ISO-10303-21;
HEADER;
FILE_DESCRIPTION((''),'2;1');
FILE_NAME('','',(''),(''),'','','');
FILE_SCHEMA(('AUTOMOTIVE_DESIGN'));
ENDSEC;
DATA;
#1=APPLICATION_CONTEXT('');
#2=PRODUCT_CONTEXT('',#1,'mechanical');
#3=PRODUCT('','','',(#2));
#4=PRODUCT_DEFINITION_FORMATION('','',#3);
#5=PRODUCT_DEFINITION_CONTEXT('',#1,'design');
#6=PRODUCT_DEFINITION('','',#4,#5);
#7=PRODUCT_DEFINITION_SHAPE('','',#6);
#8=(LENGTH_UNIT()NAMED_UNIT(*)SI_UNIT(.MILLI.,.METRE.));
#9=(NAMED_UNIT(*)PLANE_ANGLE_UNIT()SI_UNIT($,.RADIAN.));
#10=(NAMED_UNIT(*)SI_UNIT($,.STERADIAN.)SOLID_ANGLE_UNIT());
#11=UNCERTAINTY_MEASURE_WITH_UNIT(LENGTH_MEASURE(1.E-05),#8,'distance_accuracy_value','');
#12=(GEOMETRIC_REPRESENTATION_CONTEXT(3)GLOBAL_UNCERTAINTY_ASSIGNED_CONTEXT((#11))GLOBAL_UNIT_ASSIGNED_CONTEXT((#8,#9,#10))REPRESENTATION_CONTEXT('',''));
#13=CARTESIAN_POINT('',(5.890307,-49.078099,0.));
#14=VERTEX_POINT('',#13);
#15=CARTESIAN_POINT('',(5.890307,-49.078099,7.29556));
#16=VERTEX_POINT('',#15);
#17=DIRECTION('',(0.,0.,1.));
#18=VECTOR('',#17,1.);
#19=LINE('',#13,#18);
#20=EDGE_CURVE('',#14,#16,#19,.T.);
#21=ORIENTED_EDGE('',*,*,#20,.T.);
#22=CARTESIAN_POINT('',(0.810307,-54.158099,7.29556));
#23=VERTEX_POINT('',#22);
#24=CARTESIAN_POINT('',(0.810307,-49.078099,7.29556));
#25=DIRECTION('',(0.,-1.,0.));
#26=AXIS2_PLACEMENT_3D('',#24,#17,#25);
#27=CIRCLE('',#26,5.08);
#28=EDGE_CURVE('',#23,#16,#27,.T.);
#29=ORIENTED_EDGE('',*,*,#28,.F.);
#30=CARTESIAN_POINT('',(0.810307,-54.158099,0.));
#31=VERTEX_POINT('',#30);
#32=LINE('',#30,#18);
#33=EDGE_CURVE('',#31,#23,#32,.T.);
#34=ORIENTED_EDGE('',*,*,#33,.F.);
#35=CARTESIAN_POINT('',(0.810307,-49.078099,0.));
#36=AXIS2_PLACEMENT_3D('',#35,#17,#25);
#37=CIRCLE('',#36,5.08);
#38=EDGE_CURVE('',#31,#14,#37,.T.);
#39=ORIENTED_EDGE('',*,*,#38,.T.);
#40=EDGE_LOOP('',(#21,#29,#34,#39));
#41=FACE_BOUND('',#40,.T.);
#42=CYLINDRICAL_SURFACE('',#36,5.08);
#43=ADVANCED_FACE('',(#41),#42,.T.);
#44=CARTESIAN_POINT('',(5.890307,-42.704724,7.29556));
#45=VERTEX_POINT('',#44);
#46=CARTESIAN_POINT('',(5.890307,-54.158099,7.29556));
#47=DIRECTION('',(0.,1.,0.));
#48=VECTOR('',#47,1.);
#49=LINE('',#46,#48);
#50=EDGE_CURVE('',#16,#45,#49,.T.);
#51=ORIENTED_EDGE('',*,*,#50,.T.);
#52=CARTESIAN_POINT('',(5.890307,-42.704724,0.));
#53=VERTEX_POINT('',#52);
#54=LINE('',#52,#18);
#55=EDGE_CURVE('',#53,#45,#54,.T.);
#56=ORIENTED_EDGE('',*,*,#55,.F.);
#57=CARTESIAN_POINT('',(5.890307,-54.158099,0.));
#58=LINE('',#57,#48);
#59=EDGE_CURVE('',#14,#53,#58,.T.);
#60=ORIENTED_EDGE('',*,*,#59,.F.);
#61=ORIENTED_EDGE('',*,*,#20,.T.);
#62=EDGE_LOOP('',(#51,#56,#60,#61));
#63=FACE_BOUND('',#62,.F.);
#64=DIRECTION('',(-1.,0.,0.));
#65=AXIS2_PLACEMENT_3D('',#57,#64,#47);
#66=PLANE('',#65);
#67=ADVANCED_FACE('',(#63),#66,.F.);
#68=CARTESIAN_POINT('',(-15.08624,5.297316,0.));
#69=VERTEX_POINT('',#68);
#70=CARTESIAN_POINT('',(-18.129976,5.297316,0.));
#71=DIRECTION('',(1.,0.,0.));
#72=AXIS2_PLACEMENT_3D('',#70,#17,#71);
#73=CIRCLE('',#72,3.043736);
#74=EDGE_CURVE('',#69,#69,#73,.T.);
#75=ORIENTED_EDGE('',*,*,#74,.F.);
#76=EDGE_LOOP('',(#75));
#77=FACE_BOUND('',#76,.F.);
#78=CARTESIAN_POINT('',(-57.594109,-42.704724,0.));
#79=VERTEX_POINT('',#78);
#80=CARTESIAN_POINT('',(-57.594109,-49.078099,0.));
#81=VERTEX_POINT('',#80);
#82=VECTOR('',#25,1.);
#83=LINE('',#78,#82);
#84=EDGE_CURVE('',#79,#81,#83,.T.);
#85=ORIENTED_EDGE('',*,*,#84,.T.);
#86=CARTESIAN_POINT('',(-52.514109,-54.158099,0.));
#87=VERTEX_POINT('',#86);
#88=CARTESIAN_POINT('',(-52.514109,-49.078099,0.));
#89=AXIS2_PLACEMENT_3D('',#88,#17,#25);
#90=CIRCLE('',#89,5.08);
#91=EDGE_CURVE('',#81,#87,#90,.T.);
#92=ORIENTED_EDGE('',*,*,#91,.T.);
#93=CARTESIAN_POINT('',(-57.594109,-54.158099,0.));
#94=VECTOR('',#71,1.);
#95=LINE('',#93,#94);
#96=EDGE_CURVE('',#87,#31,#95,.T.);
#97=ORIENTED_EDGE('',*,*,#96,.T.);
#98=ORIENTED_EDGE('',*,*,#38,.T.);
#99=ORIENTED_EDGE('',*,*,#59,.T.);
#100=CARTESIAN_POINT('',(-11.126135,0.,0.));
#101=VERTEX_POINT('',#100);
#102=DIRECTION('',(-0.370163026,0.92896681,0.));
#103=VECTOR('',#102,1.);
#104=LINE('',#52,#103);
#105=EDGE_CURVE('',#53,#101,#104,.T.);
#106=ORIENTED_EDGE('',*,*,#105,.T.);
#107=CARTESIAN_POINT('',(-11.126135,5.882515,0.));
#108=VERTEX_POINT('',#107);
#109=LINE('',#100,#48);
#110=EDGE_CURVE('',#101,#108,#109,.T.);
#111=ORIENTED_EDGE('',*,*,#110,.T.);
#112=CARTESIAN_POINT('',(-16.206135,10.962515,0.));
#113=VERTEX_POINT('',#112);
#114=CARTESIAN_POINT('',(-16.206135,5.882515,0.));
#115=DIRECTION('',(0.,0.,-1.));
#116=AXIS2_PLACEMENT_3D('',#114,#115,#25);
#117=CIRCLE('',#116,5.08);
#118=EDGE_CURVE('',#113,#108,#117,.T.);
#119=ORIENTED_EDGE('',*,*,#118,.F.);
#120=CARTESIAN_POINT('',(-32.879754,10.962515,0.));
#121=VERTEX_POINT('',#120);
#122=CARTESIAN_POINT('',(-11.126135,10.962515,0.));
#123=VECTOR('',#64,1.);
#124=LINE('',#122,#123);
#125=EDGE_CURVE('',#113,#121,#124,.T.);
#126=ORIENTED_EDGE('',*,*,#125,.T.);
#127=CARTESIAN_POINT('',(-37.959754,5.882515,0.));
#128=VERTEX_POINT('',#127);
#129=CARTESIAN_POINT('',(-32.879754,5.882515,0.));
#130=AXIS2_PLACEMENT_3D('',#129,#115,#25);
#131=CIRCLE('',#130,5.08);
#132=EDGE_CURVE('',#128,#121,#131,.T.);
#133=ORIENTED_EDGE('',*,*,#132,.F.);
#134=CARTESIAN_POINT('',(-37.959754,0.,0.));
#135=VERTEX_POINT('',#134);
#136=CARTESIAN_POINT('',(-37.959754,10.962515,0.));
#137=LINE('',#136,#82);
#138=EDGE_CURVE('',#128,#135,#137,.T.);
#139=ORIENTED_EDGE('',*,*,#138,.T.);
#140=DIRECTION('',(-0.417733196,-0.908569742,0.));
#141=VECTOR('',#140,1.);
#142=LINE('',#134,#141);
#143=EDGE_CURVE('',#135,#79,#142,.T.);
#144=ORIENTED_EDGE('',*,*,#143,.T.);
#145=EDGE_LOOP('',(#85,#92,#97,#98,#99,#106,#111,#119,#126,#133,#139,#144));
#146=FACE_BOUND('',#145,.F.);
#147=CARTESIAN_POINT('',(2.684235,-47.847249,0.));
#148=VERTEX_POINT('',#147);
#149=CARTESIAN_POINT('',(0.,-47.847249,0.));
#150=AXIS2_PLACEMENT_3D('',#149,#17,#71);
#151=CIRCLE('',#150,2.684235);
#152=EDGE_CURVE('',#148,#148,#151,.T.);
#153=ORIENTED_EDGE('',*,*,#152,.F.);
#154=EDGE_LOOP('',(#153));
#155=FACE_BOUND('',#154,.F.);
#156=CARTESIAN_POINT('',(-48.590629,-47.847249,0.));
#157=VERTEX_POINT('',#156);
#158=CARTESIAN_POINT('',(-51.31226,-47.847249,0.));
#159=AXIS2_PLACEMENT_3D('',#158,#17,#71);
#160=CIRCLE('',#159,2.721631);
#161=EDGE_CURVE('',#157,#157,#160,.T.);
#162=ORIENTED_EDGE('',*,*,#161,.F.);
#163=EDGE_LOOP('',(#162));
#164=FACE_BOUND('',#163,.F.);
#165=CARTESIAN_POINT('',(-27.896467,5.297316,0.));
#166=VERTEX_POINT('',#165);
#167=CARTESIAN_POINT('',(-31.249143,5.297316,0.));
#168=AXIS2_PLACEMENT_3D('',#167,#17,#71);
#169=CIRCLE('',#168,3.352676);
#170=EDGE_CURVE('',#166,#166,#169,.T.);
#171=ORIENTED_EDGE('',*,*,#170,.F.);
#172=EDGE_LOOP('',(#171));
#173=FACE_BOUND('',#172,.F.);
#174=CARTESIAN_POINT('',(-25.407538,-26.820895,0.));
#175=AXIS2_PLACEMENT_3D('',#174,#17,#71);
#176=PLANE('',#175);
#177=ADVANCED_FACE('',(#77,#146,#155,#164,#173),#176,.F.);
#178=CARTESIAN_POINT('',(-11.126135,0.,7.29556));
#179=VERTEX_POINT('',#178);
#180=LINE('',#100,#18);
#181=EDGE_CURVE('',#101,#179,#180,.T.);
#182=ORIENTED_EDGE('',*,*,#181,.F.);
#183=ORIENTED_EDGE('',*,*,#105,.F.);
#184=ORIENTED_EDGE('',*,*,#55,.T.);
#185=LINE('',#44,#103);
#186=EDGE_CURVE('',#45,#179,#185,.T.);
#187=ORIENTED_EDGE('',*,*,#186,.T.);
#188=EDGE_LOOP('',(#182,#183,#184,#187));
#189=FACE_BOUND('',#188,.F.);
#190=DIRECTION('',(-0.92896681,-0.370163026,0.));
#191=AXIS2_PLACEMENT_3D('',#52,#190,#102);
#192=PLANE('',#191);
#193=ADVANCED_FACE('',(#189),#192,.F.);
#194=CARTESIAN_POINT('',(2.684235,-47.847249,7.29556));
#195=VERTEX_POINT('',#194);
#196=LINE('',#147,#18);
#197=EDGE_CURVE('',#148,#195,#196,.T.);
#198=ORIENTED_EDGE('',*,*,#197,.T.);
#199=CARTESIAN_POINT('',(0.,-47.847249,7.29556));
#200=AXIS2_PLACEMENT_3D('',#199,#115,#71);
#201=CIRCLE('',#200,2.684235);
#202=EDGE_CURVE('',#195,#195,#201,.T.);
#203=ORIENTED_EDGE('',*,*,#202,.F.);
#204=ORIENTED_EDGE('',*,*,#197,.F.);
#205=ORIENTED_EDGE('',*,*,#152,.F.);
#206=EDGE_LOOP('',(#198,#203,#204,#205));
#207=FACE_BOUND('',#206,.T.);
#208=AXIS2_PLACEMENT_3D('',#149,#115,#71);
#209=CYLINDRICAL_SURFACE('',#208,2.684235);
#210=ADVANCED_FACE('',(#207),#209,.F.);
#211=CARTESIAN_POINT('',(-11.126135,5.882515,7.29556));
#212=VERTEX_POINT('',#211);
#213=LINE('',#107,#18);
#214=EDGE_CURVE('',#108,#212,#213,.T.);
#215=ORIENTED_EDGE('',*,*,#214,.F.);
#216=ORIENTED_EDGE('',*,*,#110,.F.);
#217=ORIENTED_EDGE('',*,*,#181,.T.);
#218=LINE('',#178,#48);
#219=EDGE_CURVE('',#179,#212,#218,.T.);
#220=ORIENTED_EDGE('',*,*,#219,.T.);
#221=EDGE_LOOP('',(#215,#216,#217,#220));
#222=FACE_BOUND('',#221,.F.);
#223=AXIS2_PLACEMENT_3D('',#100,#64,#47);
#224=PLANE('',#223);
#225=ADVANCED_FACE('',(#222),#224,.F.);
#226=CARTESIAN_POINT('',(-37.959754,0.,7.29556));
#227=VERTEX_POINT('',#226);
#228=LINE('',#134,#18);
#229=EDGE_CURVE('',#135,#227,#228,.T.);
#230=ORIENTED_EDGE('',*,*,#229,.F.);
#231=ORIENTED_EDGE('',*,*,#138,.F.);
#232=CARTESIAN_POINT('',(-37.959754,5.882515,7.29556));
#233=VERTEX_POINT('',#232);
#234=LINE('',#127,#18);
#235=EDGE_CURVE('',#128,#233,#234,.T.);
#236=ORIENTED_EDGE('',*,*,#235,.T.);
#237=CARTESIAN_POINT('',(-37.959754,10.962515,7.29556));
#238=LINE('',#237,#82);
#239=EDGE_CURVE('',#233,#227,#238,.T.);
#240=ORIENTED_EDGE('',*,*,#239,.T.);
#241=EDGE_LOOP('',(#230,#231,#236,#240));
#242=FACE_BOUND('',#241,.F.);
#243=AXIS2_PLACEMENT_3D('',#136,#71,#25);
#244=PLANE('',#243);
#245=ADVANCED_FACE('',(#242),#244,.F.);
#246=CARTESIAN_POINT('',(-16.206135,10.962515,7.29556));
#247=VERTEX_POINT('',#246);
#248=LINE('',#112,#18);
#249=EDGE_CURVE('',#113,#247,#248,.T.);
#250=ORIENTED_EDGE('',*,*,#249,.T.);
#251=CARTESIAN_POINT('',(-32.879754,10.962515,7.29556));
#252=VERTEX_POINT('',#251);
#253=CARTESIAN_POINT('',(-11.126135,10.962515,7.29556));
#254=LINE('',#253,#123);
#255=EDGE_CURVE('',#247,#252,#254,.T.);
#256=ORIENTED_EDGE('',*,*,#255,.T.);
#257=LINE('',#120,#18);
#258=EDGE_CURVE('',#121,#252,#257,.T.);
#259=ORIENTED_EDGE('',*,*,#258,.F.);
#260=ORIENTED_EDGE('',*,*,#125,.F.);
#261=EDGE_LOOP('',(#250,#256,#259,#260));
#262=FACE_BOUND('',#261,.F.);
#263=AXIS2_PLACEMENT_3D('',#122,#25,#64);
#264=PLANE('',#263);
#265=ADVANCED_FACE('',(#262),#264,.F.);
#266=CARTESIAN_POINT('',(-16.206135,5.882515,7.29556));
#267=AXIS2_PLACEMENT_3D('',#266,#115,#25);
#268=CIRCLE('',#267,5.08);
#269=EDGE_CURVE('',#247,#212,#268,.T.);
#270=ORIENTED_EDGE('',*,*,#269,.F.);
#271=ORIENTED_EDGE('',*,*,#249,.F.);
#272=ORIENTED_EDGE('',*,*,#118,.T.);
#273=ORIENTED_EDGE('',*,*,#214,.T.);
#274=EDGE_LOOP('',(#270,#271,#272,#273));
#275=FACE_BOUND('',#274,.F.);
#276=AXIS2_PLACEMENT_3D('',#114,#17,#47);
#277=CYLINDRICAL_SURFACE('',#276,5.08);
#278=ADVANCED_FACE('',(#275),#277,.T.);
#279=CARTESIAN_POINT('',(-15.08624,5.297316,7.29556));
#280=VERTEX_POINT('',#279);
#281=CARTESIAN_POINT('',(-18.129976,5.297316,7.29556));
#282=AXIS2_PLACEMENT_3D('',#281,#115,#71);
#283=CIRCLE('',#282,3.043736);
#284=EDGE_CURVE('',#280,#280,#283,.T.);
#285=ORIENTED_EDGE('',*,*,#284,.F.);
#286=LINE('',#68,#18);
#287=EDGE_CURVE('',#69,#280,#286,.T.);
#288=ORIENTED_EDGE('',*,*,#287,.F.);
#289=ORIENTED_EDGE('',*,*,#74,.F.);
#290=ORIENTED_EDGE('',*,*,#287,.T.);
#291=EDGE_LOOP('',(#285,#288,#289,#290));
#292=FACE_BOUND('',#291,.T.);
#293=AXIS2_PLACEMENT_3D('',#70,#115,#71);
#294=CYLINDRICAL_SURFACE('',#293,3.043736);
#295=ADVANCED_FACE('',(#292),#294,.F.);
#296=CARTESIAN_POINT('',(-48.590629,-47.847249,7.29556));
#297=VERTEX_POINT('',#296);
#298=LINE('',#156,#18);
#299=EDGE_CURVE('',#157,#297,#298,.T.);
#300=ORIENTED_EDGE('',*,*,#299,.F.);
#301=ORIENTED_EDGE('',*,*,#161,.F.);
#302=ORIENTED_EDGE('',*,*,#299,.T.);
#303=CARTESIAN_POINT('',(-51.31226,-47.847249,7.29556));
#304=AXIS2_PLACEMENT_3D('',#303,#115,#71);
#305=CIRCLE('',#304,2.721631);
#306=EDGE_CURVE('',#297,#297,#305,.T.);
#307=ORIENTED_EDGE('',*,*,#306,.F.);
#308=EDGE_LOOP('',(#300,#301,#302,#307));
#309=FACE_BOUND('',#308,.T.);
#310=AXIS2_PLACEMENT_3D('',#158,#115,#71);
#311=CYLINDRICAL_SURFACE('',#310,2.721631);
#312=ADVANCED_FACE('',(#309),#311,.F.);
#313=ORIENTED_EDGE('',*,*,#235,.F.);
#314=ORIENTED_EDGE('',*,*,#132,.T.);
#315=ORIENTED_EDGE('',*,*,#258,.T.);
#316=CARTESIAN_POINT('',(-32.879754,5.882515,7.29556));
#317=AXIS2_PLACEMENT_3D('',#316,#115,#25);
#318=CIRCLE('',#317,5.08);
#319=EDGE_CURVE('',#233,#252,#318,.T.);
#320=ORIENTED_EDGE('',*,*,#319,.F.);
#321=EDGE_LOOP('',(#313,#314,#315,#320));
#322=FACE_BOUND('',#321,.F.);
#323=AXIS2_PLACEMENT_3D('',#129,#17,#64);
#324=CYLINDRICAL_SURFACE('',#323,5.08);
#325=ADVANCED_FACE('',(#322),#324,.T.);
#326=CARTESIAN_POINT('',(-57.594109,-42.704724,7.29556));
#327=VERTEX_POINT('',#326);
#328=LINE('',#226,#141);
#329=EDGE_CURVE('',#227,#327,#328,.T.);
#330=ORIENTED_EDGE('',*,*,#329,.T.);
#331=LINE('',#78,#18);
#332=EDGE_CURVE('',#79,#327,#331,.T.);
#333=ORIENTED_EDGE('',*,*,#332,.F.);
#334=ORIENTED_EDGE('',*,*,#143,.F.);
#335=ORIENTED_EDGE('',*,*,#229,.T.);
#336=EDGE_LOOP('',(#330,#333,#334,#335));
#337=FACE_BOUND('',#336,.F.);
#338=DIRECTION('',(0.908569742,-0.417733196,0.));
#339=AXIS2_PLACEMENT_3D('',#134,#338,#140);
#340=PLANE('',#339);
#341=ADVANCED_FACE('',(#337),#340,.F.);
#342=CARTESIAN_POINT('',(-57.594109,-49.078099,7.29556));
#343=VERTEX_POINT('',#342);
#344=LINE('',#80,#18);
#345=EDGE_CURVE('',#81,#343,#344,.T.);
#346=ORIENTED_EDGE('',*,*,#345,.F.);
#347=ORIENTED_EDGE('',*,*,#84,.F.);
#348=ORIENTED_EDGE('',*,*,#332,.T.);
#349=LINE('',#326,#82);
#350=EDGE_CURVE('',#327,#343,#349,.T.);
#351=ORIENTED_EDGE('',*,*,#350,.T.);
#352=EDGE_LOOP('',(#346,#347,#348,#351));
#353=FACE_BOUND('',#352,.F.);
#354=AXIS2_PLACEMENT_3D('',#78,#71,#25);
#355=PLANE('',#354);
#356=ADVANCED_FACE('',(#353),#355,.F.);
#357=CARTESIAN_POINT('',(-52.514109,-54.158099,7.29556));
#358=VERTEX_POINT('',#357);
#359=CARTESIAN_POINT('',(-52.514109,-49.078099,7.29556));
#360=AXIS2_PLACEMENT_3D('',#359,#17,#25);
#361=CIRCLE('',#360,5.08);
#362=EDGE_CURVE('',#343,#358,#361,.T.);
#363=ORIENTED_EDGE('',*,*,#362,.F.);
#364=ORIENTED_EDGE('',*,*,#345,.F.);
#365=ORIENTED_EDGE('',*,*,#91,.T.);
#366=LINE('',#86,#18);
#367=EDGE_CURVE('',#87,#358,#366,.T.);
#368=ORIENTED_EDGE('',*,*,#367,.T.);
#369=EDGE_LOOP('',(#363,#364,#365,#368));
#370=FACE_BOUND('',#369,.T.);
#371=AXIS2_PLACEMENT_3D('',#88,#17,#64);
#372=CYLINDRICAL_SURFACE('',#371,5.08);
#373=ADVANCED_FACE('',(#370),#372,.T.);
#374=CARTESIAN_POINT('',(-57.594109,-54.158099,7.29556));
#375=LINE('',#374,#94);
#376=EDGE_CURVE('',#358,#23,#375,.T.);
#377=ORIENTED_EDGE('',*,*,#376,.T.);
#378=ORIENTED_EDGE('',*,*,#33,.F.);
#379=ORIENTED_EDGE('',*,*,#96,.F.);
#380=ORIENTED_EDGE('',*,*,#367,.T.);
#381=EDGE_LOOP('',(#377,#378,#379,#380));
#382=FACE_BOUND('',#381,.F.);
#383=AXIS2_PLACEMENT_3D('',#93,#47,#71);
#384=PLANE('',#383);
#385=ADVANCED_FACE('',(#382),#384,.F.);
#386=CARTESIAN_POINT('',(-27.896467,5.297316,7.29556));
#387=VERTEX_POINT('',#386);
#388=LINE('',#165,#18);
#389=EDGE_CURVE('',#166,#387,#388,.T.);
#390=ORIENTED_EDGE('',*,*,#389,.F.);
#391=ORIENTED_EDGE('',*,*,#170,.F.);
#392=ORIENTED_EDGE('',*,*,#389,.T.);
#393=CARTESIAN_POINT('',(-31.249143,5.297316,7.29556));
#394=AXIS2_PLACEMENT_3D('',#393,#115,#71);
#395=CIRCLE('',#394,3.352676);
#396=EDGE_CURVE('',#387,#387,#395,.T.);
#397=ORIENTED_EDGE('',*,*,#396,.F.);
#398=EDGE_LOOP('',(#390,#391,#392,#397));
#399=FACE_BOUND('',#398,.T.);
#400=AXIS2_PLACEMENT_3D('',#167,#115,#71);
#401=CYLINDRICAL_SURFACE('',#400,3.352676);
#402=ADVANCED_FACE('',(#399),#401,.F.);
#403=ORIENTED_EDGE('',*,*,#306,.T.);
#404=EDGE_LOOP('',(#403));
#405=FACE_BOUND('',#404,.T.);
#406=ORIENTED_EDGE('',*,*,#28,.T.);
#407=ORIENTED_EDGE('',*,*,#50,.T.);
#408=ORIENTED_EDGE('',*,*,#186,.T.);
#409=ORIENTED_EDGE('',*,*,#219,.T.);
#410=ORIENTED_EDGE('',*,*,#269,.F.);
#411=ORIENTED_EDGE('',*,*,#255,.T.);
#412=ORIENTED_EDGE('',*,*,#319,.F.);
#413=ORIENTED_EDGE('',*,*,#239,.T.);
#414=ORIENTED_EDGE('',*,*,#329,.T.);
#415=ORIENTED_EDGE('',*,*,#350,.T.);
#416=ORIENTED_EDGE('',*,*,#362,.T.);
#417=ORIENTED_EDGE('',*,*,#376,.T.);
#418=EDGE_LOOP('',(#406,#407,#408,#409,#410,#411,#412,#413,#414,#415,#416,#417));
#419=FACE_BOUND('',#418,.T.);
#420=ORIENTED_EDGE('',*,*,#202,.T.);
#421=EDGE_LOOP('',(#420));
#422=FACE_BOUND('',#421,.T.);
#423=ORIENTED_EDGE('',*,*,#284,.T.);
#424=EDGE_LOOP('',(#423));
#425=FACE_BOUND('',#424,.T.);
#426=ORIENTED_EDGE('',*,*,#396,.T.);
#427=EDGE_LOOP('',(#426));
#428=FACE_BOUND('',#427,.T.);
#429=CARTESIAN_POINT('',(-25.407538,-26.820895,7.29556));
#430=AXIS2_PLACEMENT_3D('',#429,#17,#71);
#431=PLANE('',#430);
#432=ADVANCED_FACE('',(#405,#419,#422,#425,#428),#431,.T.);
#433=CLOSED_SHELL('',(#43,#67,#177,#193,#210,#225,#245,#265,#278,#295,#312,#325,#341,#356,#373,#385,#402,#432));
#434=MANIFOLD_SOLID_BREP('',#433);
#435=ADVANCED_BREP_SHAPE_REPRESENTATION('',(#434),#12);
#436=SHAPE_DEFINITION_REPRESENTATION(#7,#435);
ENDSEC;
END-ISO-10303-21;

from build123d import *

# Parameters (mm, degrees)
F1_DEPTH = 7.29556
F2_R     = 3.352676
F2_R_2   = 3.043736
F3_DEPTH = 25.4
F4_R     = 2.721631
F4_R_2   = 2.684235
F5_DEPTH = 25.4
F6_R     = 5.08
F7_R     = 5.08


with BuildPart() as f1:
    # F0 (on Top) → F1 (new body)
    with BuildSketch(Plane.XY):
        Polygon((-57.594109, -42.704724), (-57.594109, -54.158099), (5.890307, -54.158099), (5.890307, -42.704724), (-11.126135, 0), (-11.126135, 10.962515), (-37.959754, 10.962515), (-37.959754, 0), align=None)
    extrude(amount=F1_DEPTH)

    # F2 (on Top) → F3 (cut)
    with BuildSketch(Plane.XY):
        with Locations((-31.249143, 5.297316)):
            Circle(F2_R)
        with Locations((-18.129976, 5.297316)):
            Circle(F2_R_2)
    extrude(amount=F3_DEPTH, mode=Mode.SUBTRACT)

    # F4 (on Top) → F5 (cut)
    with BuildSketch(Plane.XY):
        with Locations((-51.31226, -47.847249)):
            Circle(F4_R)
        with Locations((0, -47.847249)):
            Circle(F4_R_2)
    extrude(amount=F5_DEPTH, mode=Mode.SUBTRACT)

    # F6
    f6_edges = [f1.edges().sort_by_distance(p)[0] for p in [
        (-57.594109, -54.158099, 3.64778),
        (5.890307, -54.158099, 3.64778),
    ]]
    fillet(f6_edges, radius=F6_R)

    # F7
    f7_edges = [f1.edges().sort_by_distance(p)[0] for p in [
        (-37.959754, 10.962515, 3.64778),
        (-11.126135, 10.962515, 3.64778),
    ]]
    fillet(f7_edges, radius=F7_R)


solid = f1.part
